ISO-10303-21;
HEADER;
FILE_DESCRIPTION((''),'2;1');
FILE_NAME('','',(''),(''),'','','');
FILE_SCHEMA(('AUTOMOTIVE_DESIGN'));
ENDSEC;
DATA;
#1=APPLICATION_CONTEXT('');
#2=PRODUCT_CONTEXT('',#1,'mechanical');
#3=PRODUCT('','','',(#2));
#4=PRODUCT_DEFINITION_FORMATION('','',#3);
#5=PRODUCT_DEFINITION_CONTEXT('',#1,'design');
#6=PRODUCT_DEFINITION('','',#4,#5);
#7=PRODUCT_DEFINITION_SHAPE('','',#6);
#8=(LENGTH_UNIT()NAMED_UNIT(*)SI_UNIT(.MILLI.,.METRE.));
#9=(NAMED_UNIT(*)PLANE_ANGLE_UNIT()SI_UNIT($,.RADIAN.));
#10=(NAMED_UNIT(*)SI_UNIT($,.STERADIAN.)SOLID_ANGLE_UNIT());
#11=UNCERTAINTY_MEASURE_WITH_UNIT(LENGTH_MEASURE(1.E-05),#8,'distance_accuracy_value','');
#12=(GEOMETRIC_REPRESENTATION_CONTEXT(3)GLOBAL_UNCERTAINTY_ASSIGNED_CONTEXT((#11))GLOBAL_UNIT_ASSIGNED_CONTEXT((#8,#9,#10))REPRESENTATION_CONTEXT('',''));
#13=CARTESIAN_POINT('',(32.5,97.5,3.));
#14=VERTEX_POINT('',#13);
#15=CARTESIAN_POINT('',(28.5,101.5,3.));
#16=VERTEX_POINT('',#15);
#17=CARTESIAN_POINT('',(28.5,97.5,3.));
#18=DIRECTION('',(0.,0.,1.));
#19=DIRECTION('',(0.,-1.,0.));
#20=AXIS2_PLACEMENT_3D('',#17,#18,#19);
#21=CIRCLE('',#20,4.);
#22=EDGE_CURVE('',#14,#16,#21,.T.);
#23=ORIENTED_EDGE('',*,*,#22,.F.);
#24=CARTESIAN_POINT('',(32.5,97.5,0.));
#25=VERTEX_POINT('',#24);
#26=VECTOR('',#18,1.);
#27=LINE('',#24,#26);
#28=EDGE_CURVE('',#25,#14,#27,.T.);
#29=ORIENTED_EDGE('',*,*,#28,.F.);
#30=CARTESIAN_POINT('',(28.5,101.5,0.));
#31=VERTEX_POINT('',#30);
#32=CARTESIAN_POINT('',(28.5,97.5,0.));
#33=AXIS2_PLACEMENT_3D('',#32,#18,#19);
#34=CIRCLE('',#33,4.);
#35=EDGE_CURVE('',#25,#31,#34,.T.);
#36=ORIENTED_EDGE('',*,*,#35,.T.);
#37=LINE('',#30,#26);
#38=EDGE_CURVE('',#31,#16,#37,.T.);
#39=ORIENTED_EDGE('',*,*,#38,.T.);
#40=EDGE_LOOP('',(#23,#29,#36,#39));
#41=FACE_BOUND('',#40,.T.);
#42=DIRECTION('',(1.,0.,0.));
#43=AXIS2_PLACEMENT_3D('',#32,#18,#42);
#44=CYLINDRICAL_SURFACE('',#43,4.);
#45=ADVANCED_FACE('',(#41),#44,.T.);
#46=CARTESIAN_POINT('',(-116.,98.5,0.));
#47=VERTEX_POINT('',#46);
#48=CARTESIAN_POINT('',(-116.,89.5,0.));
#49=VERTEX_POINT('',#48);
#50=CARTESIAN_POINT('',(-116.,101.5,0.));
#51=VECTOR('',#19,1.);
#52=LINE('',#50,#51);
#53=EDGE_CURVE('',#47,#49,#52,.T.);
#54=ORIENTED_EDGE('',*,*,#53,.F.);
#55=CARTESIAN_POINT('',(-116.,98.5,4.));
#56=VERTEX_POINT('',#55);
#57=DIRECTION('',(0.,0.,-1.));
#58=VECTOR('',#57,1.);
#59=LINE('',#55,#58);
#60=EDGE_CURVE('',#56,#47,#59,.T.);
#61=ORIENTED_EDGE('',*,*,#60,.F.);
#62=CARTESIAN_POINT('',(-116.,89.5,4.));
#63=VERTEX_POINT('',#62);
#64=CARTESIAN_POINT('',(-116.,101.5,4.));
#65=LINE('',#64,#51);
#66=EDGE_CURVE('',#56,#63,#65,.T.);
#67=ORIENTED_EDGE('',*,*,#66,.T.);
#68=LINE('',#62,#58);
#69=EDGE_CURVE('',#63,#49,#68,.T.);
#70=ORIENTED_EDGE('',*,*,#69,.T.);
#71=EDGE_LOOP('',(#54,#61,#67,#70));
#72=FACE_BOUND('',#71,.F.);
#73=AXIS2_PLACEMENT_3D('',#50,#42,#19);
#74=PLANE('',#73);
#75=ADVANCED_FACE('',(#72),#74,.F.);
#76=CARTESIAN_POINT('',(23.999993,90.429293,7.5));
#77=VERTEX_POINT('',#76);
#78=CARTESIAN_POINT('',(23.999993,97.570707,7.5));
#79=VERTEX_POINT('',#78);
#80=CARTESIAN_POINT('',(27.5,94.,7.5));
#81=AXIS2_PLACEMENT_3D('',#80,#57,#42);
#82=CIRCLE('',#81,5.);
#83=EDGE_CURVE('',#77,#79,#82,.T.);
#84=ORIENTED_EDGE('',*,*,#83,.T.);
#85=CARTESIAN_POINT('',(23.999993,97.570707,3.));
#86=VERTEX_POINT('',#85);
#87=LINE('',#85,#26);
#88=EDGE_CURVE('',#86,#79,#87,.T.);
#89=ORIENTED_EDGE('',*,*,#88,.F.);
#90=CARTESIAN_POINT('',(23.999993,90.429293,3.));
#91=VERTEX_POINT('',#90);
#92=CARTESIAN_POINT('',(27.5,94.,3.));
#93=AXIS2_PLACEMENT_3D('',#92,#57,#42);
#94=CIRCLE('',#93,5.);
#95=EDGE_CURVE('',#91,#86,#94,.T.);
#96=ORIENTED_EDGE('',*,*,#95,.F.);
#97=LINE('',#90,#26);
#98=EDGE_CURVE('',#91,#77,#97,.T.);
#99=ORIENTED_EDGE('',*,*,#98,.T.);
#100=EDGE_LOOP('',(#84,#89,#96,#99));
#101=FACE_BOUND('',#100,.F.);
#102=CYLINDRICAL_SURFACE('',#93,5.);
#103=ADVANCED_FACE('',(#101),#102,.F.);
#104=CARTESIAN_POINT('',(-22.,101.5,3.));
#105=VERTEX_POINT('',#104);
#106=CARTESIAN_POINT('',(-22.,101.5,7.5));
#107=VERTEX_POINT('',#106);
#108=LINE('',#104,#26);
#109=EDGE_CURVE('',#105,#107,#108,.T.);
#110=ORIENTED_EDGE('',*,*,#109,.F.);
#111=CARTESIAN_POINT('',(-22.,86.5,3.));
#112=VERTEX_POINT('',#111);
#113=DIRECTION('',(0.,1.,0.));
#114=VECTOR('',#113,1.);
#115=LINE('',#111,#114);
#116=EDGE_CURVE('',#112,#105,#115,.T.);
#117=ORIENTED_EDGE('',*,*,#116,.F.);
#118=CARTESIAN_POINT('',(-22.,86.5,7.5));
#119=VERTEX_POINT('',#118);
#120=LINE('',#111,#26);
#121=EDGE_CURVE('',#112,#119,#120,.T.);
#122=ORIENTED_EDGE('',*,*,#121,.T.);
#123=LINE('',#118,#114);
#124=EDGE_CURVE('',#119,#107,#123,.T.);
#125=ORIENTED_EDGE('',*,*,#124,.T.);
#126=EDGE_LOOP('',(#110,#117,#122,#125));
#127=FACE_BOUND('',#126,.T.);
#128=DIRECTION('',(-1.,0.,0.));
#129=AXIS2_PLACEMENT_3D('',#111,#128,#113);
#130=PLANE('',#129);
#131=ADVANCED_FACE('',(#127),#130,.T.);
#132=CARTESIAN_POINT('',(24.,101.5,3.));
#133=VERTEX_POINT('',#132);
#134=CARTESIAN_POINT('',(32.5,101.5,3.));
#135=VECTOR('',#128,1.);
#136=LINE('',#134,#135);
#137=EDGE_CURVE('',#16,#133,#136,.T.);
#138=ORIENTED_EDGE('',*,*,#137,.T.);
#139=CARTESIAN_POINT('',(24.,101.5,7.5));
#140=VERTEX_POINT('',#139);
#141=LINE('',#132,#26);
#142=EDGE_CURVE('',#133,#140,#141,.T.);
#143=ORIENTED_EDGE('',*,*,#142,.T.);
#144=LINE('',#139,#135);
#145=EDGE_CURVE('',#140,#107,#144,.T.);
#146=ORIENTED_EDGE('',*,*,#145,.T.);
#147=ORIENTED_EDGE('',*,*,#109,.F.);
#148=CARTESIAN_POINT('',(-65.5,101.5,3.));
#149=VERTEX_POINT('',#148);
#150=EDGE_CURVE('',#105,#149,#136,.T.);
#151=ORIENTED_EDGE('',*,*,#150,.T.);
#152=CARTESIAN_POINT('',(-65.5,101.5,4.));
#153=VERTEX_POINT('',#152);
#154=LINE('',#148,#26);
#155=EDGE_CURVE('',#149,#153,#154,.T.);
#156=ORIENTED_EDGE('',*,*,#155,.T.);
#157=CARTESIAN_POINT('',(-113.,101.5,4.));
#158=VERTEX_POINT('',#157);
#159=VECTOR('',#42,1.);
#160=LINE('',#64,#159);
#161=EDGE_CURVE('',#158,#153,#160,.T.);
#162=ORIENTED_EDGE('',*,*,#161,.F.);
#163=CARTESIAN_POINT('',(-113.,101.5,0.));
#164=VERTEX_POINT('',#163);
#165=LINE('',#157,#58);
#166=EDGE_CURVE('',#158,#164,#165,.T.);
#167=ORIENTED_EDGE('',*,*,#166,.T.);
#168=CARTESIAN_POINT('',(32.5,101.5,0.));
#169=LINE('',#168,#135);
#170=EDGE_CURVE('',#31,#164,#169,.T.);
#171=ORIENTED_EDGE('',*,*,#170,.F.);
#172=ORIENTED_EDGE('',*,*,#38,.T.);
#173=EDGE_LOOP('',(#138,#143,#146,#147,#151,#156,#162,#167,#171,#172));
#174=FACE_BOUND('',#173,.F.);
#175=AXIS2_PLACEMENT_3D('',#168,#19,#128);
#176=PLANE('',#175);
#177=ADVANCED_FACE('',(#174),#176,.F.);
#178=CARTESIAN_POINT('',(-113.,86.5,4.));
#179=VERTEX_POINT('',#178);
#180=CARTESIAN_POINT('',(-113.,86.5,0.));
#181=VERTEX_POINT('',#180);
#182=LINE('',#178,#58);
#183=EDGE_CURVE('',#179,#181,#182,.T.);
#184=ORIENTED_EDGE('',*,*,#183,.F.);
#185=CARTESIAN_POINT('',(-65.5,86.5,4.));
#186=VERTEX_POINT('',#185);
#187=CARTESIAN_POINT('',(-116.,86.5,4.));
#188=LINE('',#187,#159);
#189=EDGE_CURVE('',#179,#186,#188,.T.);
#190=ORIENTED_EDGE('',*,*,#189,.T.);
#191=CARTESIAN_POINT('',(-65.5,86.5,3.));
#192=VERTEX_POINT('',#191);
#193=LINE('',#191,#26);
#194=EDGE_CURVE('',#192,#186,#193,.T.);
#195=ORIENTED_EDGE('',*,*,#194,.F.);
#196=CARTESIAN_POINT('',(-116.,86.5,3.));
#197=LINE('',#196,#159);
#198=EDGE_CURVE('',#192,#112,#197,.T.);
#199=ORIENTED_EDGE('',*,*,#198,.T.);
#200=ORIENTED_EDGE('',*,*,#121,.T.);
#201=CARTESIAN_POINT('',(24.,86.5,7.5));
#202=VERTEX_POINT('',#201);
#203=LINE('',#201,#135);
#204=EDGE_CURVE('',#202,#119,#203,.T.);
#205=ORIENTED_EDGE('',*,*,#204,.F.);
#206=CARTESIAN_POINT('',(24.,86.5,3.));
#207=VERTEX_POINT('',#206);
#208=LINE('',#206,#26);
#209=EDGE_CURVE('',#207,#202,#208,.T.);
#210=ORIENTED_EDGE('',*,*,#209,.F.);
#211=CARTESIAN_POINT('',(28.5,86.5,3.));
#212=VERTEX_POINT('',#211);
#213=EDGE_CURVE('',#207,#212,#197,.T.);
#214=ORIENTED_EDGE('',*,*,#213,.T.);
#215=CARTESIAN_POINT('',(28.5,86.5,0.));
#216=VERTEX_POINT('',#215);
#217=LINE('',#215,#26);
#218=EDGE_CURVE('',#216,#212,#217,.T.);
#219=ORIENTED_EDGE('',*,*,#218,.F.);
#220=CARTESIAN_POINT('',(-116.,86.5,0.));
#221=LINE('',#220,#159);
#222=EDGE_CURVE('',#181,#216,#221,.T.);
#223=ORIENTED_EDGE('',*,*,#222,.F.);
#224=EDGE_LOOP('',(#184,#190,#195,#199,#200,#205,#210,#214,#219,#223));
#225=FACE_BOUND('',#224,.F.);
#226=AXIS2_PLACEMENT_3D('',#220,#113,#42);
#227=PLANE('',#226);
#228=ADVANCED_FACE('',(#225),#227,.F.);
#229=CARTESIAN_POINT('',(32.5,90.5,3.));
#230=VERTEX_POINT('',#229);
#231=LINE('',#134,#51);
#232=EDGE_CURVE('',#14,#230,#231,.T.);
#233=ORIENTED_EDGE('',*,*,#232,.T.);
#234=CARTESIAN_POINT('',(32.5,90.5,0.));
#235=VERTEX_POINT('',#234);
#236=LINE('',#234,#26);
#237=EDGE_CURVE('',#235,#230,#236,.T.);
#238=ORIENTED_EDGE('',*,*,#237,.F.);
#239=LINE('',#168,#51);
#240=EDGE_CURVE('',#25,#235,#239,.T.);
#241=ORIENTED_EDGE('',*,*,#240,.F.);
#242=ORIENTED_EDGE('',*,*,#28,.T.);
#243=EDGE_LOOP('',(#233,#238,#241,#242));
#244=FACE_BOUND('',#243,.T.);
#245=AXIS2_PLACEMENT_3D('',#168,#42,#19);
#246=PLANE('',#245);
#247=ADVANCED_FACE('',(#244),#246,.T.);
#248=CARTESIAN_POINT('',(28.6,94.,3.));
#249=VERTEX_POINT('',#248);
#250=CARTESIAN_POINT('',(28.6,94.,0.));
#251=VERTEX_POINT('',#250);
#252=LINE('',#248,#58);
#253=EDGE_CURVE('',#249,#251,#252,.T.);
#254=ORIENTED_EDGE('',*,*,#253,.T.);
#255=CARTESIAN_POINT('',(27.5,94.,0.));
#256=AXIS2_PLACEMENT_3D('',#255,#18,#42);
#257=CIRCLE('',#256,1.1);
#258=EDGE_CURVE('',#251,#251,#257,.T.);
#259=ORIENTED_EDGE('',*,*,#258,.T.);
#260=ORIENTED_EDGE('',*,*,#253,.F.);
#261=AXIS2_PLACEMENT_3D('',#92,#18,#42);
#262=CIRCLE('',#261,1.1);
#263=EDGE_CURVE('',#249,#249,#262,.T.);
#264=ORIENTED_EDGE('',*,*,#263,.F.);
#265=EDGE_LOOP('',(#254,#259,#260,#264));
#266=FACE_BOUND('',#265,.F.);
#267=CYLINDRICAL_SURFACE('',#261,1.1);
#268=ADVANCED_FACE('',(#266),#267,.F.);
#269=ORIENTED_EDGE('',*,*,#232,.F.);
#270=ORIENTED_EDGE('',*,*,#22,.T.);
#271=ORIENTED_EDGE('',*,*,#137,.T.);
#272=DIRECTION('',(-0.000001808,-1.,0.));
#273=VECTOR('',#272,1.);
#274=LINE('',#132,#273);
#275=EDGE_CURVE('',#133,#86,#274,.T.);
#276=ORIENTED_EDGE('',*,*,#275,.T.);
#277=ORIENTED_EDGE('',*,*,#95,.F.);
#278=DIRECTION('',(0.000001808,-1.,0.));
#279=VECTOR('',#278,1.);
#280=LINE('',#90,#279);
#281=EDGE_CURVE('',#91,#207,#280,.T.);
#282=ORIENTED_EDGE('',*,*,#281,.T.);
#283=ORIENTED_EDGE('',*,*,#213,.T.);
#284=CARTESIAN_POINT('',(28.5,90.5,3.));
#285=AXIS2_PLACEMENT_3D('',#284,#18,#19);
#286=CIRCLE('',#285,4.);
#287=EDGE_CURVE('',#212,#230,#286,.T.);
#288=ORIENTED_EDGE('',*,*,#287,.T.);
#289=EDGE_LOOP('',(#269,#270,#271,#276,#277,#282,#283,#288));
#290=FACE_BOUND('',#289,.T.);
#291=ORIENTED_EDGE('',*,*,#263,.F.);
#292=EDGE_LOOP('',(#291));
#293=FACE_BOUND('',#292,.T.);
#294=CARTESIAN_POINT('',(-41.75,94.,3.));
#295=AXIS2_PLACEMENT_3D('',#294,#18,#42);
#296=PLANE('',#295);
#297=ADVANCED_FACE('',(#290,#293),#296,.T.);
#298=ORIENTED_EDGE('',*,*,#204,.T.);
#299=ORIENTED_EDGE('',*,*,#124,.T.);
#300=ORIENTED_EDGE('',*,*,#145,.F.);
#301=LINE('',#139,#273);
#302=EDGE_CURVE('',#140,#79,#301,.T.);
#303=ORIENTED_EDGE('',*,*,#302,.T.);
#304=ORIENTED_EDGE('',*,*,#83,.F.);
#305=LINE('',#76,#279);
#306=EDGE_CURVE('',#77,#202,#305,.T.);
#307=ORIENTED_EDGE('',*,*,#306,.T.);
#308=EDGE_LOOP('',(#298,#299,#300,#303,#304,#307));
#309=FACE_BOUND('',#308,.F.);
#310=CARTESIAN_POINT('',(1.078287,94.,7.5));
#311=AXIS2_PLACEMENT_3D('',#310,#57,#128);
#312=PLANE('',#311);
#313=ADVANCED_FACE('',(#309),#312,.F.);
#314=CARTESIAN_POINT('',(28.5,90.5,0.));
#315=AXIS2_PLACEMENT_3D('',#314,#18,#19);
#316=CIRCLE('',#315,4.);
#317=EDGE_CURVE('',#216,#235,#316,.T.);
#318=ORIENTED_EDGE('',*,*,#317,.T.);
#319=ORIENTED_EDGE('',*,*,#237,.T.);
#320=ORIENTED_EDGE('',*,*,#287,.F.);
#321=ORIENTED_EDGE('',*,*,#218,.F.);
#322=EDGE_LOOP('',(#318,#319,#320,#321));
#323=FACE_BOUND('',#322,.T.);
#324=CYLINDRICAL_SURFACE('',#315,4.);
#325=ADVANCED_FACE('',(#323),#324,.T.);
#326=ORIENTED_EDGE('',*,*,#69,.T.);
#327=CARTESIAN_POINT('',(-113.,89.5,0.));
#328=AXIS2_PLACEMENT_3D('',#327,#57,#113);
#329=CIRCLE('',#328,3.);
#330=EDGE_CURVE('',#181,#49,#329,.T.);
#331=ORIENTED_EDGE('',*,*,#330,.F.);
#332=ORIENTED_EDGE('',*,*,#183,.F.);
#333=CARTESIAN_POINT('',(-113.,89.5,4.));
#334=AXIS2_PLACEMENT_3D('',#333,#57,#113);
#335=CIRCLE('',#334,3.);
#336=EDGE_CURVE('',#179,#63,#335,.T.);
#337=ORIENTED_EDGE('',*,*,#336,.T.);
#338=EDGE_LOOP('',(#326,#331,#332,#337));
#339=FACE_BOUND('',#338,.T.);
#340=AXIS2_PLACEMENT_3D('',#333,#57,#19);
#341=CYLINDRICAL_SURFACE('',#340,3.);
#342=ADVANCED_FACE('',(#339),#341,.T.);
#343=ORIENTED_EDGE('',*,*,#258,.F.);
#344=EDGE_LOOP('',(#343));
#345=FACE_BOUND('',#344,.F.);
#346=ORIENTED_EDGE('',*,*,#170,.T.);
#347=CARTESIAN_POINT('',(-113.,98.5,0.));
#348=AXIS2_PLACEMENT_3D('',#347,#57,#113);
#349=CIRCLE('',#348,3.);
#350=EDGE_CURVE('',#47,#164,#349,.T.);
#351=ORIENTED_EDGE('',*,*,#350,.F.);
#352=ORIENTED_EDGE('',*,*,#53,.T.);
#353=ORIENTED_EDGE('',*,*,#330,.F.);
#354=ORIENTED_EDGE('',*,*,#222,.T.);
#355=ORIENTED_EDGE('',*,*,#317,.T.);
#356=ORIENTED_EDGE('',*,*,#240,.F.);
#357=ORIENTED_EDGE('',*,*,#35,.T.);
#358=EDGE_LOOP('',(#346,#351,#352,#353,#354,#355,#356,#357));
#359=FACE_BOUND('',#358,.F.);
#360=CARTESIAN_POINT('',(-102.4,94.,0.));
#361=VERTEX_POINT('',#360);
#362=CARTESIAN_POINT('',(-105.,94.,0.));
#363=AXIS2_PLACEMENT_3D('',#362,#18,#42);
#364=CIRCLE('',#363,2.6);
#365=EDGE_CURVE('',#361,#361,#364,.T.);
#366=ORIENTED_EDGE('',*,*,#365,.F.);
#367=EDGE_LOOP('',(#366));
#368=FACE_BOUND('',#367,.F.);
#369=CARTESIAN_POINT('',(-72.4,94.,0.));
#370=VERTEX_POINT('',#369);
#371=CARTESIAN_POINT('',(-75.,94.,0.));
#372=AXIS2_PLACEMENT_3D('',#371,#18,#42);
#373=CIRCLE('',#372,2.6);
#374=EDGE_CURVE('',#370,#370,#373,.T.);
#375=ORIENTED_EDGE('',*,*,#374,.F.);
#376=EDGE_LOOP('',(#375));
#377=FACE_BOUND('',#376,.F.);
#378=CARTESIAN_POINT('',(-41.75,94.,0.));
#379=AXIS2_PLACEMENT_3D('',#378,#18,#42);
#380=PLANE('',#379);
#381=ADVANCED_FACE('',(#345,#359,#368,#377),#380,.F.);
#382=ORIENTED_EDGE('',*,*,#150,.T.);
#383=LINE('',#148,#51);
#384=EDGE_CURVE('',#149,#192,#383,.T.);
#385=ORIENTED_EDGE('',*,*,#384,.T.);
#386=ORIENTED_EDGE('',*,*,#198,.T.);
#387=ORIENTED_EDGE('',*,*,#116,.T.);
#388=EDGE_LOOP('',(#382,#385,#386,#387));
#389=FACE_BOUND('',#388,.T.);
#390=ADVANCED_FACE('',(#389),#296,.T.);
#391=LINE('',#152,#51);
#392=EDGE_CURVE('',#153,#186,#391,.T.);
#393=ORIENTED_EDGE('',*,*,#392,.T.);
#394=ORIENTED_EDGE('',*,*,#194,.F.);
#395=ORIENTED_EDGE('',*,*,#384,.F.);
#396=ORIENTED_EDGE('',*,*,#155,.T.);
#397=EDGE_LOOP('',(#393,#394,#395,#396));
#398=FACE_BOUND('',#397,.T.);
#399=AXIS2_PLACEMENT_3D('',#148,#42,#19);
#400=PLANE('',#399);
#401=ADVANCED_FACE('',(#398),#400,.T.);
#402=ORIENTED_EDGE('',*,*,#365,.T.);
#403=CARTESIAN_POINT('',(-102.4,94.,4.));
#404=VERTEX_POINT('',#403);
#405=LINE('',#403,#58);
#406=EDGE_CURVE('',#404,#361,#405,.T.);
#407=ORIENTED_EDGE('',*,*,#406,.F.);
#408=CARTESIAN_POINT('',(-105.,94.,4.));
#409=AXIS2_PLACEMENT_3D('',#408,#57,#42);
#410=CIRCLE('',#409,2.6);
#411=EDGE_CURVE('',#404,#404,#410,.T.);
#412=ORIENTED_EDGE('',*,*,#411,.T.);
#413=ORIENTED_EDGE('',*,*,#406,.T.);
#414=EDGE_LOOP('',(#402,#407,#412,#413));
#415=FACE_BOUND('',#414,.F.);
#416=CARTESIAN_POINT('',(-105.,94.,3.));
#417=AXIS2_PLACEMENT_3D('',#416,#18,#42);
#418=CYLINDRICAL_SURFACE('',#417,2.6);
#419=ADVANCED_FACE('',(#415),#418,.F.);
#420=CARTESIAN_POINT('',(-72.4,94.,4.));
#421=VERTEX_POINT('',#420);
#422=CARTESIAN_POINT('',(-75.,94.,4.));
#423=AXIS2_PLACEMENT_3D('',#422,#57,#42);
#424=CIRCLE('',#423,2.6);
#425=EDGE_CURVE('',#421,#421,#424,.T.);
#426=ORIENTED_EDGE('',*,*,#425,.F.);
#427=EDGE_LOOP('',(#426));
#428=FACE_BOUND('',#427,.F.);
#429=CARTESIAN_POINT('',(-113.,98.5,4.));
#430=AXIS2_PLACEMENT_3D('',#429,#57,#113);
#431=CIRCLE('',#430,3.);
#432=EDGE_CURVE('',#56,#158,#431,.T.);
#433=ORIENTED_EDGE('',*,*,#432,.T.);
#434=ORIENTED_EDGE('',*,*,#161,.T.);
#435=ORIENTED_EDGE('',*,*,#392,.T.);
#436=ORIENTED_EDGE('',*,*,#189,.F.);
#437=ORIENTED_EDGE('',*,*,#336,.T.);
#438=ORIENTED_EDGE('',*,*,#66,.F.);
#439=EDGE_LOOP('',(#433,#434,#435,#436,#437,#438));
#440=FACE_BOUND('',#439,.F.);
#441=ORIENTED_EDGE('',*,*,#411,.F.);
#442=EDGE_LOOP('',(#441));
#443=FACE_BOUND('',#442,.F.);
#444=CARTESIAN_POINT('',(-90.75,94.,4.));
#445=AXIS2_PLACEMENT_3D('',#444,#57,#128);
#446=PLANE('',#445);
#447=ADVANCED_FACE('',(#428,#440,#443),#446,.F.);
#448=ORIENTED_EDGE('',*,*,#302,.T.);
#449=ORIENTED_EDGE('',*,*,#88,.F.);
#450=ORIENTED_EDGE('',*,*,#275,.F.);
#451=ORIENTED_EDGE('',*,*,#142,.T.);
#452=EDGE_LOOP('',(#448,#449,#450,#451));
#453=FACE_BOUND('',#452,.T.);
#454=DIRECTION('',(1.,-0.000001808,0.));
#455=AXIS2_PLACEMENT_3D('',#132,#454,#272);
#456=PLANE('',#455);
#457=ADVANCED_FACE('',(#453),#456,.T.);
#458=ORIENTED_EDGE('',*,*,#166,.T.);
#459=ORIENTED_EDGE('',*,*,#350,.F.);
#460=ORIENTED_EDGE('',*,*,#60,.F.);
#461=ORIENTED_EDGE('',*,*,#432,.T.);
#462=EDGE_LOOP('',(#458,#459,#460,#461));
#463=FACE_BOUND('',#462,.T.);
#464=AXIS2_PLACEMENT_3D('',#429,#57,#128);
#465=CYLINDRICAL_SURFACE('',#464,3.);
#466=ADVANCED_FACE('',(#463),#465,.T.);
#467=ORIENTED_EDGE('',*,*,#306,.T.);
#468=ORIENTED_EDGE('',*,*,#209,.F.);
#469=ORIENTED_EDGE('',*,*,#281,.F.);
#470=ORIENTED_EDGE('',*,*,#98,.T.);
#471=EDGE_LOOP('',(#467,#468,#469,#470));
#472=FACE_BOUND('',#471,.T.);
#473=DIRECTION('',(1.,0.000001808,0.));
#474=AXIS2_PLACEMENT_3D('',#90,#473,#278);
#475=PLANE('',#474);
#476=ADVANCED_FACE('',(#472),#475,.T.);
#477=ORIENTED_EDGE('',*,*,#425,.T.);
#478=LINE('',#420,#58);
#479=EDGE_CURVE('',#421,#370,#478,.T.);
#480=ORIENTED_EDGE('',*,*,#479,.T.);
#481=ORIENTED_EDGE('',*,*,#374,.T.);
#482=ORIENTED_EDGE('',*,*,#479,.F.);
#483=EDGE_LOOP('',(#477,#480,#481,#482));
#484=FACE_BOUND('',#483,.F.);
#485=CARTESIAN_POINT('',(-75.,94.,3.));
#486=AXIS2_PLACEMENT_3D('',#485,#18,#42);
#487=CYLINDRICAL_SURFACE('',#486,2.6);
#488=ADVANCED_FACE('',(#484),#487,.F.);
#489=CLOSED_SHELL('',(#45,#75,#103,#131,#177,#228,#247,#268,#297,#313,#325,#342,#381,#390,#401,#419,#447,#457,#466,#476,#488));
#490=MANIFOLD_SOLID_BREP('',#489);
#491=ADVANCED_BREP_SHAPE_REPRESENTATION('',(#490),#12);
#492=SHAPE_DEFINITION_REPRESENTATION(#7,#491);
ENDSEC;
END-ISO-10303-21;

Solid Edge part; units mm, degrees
sketch "Sketch1" plane through (0, 0, 0) normal (0, 0, 1) x (1, 0, 0)
  line L0 (-116, 86.5) -> (32.5, 86.5)
  line L1 (32.5, 101.5) -> (32.5, 86.5)
  line L2 (32.5, 101.5) -> (-116, 101.5)
  line L3 (-116, 101.5) -> (-116, 86.5)
extrude "Protrusion1" add sketch "Sketch1" along normal blind 3
sketch "Sketch2" plane through (26, 94, 3) normal (0, 0, 1) x (1, 0, 0)
  circle A0 centre (1.5, 0) radius 1.1
extrude "Cutout1" cut sketch "Sketch2" against normal up to next
fillet "Round_3" radius 4 2 edges at (32.5, 86.5, 1.5) (32.5, 101.5, 1.5)
sketch "Sketch3" plane through (-41.5, 94, 3) normal (0, 0, 1) x (1, 0, 0)
  line L0 (65.5, -3.5707) -> (65.5, -7.5)
  line L1 (65.5, -7.5) -> (19.5, -7.5)
  line L2 (19.5, -7.5) -> (19.5, 7.5)
  line L3 (65.5, 7.5) -> (19.5, 7.5)
  line L4 (65.5, 7.5) -> (65.5, 3.5707)
  arc A0 (65.5, -3.5707) -> (65.5, 3.5707) centre (69, 0) cw
extrude "ExtrudedProtrusion_7" add sketch "Sketch3" along normal blind 4.5
sketch "Sketch4" plane through (-68.75, 94, 3) normal (0, 0, 1) x (1, 0, 0)
  line L0 (-47.25, 7.5) -> (3.25, 7.5)
  line L1 (3.25, 7.5) -> (3.25, -7.5)
  line L2 (-47.25, -7.5) -> (3.25, -7.5)
  line L3 (-47.25, 7.5) -> (-47.25, -7.5)
extrude "ExtrudedProtrusion_8" add sketch "Sketch4" along normal blind 1
sketch "Sketch5" plane through (-68.75, 94, 3) normal (0, 0, 1) x (1, 0, 0)
  circle A0 centre (-36.25, 0) radius 2.6
  circle A1 centre (-6.25, 0) radius 2.6
extrude "Cutout2" cut sketch "Sketch5" along normal mid plane 10.057
fillet "Round_4" radius 3 2 edges at (-116, 86.5, 2) (-116, 101.5, 2)
